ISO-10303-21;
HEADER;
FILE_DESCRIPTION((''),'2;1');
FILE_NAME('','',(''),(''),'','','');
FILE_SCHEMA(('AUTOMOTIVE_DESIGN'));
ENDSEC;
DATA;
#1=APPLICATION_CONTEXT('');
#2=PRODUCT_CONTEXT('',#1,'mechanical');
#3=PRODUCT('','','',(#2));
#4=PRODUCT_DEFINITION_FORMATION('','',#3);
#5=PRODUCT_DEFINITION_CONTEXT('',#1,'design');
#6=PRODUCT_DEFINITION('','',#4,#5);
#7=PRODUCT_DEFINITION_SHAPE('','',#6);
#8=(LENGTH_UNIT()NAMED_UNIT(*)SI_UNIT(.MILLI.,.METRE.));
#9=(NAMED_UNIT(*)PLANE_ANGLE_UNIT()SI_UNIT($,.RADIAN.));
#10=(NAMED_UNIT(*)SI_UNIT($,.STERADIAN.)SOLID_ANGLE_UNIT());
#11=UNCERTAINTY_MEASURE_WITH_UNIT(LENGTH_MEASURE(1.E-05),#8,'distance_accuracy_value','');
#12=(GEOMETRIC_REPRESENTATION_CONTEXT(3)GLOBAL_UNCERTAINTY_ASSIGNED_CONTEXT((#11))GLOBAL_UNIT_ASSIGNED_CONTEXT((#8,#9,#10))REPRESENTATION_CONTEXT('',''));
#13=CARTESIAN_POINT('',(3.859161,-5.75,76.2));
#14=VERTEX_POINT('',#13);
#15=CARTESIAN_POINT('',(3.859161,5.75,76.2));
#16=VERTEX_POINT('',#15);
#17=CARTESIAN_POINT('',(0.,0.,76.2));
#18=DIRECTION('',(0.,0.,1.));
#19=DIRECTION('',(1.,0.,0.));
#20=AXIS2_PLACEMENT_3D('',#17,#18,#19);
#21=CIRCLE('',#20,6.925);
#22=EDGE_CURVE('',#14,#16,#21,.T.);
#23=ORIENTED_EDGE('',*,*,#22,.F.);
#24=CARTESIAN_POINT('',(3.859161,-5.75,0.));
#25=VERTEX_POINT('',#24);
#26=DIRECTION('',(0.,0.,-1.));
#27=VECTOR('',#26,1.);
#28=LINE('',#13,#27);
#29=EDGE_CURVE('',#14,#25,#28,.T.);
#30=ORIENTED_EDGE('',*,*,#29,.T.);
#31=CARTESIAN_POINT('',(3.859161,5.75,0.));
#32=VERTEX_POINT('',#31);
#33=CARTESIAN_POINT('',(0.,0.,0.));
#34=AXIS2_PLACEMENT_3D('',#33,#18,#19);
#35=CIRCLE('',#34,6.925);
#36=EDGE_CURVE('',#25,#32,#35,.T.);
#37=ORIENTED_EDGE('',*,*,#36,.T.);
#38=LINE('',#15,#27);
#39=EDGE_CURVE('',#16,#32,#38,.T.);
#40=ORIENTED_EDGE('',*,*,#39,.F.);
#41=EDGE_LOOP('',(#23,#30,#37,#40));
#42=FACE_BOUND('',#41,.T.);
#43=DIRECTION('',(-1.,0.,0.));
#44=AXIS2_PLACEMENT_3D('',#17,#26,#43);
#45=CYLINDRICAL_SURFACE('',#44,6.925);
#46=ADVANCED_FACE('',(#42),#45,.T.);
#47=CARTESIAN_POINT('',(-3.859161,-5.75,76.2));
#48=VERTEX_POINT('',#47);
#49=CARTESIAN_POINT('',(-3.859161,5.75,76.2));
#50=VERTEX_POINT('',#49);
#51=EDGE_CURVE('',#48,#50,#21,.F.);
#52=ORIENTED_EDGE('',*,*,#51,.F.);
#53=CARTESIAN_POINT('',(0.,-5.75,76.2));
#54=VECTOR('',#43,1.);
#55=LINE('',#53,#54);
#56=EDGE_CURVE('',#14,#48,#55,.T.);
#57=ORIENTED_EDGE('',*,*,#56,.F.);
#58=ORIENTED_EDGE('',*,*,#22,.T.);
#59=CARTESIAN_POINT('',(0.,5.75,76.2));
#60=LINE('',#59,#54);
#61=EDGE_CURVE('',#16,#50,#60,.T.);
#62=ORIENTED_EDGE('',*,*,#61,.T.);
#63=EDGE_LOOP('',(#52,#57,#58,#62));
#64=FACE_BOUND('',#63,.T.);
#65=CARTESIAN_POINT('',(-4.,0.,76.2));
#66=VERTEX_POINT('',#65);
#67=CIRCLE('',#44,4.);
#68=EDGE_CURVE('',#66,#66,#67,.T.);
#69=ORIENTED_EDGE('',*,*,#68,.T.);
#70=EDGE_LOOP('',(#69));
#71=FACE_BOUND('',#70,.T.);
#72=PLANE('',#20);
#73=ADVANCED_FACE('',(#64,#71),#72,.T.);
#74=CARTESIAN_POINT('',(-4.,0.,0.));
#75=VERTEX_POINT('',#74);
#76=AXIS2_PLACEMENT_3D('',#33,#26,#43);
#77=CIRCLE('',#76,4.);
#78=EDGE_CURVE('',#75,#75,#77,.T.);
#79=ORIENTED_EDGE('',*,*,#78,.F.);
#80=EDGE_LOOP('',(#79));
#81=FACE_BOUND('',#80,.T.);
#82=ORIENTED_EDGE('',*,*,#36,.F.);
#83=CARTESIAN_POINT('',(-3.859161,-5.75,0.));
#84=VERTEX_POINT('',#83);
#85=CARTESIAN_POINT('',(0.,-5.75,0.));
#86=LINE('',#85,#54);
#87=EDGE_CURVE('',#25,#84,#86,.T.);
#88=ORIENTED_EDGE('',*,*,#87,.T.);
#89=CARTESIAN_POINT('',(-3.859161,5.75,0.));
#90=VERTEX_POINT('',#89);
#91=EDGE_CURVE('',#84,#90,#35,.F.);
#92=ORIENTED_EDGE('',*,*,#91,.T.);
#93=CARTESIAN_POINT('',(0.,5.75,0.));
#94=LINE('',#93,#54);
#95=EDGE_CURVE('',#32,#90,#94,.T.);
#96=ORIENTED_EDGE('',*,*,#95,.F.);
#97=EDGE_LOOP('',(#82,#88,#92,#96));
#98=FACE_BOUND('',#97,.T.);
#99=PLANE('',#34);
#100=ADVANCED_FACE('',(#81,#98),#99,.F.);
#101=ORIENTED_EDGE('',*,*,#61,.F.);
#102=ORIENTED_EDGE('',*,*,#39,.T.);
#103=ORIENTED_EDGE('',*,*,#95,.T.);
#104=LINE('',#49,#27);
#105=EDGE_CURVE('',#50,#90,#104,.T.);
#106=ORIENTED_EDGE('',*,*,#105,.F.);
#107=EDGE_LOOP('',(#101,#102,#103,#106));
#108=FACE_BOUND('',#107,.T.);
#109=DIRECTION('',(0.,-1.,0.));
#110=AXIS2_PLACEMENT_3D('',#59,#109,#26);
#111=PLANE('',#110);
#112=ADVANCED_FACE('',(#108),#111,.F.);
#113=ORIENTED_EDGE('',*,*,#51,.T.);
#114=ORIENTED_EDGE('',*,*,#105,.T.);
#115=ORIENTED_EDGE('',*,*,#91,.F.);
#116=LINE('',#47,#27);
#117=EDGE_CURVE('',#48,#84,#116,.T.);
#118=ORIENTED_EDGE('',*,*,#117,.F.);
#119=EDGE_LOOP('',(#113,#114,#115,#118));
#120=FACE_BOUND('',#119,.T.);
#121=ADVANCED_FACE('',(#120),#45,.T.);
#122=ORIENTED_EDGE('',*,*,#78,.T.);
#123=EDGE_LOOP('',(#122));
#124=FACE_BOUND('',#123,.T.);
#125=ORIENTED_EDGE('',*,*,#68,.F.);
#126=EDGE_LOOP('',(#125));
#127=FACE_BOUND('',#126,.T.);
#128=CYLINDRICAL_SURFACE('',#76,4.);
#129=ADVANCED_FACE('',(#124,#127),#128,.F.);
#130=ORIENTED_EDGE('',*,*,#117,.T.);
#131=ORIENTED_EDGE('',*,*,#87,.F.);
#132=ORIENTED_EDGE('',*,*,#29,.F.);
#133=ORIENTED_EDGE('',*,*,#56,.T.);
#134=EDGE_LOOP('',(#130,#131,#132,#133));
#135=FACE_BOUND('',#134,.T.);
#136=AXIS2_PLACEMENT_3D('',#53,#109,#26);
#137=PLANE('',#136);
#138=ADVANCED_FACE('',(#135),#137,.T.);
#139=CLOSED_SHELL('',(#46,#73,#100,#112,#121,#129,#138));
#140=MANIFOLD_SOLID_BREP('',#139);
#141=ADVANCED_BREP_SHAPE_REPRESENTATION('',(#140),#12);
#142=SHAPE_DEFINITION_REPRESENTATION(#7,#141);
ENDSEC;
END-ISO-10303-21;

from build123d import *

# Parameters (mm, degrees)
BOSS_EXTRUDE1_DEPTH      = 76.2
F_8_0_8_DIAMETER_HOLE1_D = 8


with BuildPart() as part:
    # Sketch1 → Boss-Extrude1 (new body)
    with BuildSketch(Plane.XY):
        with BuildLine():
            Line((-3.859161178, -5.75), (3.859161178, -5.75))
            ThreePointArc((3.859161178, -5.75), (6.925, 0), (3.859161178, 5.75))
            Line((3.859161178, 5.75), (-3.859161178, 5.75))
            ThreePointArc((-3.859161178, 5.75), (-6.925, 0), (-3.859161178, -5.75))
        make_face()
    extrude(amount=BOSS_EXTRUDE1_DEPTH)

    # Ø8.0 (8) Diameter Hole1 (through all)
    with Locations(Plane(origin=(0, 0, 0), x_dir=(-1, 0, 0), z_dir=(0, 0, -1))):
        with Locations((0, 0)):
            Hole(F_8_0_8_DIAMETER_HOLE1_D / 2)


solid = part.part
